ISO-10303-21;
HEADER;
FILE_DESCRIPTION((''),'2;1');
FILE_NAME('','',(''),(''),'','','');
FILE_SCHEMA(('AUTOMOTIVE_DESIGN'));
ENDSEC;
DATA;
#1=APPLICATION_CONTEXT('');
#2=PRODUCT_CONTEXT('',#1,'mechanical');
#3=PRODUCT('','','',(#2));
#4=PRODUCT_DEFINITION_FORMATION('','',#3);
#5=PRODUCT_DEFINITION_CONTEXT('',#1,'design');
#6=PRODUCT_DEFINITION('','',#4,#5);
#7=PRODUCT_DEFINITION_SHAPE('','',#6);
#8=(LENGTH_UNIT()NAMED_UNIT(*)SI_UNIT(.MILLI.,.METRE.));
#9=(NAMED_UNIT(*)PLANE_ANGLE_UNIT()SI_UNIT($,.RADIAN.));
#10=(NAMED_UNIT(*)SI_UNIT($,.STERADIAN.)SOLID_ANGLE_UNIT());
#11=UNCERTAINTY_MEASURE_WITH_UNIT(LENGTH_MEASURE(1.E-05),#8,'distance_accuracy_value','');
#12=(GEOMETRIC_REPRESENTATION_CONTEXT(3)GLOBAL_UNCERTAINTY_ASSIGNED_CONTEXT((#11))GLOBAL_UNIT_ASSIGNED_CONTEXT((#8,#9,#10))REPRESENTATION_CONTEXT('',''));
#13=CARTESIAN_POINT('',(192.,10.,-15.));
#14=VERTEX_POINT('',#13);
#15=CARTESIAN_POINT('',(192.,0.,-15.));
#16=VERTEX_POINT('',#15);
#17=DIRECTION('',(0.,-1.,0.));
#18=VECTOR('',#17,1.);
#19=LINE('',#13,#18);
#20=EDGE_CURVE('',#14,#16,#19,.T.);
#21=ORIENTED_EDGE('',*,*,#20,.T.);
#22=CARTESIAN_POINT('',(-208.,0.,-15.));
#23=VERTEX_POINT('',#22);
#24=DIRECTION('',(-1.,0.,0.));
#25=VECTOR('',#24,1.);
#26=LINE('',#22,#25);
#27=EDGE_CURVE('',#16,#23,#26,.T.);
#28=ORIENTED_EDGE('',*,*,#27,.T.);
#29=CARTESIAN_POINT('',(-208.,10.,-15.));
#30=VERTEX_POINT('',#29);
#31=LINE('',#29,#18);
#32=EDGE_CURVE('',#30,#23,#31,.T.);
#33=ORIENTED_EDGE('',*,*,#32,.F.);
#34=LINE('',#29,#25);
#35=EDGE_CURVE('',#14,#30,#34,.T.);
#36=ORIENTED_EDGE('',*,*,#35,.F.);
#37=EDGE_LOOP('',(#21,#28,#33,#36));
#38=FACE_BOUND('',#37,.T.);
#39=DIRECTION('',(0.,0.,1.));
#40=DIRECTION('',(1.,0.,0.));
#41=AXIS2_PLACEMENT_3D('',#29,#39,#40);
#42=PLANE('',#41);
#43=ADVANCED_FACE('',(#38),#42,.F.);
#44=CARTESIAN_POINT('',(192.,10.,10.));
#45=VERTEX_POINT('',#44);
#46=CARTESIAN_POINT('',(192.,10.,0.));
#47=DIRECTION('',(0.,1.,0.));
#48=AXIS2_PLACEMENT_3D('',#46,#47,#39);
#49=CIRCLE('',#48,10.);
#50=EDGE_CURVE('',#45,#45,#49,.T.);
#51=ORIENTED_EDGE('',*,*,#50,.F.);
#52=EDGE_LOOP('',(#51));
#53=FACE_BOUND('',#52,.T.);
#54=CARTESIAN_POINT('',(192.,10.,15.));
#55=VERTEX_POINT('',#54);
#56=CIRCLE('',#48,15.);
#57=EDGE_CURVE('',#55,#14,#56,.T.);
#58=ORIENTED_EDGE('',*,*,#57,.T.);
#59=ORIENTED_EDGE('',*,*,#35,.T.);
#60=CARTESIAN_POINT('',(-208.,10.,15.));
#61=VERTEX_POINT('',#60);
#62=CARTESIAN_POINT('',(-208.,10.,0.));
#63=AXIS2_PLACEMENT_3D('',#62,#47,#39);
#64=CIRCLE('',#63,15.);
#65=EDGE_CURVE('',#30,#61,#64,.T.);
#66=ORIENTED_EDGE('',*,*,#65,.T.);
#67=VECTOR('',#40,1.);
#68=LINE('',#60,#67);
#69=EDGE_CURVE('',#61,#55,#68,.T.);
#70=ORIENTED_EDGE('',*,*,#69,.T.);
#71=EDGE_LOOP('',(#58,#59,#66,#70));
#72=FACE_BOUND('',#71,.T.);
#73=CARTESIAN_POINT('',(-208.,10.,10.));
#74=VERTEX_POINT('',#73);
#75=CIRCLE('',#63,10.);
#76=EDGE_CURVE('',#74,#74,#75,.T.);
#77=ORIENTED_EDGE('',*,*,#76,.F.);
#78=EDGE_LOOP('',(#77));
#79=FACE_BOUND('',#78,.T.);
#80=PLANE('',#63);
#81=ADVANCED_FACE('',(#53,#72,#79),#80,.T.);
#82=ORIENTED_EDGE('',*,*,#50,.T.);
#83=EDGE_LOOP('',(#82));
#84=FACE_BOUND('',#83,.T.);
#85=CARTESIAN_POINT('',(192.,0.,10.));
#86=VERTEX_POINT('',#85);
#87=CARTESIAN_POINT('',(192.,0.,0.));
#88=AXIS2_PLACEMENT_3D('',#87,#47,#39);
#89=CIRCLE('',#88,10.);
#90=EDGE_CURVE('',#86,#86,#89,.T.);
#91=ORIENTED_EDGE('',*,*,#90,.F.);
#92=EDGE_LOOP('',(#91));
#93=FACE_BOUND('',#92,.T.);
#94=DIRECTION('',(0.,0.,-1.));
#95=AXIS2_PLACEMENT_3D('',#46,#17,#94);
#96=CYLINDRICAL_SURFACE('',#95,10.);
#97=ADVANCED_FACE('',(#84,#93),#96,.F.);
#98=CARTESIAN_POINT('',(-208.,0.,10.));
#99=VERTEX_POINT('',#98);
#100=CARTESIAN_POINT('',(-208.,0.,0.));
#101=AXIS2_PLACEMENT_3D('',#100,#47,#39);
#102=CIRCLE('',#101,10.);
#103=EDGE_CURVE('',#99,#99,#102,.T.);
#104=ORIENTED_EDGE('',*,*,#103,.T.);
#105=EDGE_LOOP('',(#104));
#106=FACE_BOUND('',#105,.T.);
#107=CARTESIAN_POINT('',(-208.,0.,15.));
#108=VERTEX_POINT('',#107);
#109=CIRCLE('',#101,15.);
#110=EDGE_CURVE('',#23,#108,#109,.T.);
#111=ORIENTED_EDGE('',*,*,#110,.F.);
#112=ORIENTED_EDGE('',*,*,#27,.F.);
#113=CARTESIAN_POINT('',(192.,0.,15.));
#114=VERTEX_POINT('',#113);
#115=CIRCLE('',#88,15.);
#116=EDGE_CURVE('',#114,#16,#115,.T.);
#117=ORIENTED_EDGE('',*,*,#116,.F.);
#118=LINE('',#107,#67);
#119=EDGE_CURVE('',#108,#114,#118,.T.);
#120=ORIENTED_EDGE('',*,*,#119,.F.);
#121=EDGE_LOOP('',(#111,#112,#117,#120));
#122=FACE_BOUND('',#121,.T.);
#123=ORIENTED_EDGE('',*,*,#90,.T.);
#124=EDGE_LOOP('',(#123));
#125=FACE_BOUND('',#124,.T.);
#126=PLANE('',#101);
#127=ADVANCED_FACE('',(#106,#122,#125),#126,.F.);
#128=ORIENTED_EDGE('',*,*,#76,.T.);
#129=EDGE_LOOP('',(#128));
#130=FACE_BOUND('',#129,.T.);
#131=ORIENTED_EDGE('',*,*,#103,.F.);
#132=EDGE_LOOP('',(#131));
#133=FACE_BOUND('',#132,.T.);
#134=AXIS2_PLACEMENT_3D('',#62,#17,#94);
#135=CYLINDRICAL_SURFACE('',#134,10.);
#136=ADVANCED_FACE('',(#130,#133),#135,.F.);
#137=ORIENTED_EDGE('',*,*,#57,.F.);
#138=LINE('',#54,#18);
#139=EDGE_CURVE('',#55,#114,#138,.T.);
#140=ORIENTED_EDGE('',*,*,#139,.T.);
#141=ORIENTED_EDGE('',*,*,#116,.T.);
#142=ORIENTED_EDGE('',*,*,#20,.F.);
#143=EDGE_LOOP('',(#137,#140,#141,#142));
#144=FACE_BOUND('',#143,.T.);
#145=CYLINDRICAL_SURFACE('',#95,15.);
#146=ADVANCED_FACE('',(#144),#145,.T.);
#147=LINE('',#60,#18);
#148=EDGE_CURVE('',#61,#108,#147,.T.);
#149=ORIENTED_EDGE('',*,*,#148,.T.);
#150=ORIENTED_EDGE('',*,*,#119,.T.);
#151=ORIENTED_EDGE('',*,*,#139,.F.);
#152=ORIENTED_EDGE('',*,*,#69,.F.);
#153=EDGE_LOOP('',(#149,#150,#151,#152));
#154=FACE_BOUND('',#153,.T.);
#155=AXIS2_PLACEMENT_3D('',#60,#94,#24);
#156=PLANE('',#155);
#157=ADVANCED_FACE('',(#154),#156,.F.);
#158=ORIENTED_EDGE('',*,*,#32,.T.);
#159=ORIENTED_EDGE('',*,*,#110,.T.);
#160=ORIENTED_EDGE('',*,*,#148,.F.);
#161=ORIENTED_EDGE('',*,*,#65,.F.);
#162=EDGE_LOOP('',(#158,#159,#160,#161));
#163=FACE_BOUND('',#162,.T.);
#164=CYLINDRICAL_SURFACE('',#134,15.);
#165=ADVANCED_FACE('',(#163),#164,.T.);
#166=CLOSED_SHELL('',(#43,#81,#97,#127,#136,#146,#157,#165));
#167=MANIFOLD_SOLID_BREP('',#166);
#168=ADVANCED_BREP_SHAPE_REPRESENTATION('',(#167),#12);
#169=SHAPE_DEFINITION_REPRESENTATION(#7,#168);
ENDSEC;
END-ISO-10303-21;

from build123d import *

# Parameters (mm, degrees)
SKETCH2_R           = 10
BOSS_EXTRUDE1_DEPTH = 10


with BuildPart() as part:
    # Sketch2 → Boss-Extrude1 (new body)
    with BuildSketch(Plane(origin=(0, 0, 0), x_dir=(1, 0, 0), z_dir=(0, 1, 0))):
        with BuildLine():
            Line((-208, 15), (192, 15))
            ThreePointArc((192, 15), (207, 0), (192, -15))
            Line((192, -15), (-208, -15))
            ThreePointArc((-208, -15), (-223, 0), (-208, 15))
        make_face()
        with Locations((192, 0)):
            Circle(SKETCH2_R, mode=Mode.SUBTRACT)
        with Locations((-208, 0)):
            Circle(SKETCH2_R, mode=Mode.SUBTRACT)
    extrude(amount=BOSS_EXTRUDE1_DEPTH)


solid = part.part
